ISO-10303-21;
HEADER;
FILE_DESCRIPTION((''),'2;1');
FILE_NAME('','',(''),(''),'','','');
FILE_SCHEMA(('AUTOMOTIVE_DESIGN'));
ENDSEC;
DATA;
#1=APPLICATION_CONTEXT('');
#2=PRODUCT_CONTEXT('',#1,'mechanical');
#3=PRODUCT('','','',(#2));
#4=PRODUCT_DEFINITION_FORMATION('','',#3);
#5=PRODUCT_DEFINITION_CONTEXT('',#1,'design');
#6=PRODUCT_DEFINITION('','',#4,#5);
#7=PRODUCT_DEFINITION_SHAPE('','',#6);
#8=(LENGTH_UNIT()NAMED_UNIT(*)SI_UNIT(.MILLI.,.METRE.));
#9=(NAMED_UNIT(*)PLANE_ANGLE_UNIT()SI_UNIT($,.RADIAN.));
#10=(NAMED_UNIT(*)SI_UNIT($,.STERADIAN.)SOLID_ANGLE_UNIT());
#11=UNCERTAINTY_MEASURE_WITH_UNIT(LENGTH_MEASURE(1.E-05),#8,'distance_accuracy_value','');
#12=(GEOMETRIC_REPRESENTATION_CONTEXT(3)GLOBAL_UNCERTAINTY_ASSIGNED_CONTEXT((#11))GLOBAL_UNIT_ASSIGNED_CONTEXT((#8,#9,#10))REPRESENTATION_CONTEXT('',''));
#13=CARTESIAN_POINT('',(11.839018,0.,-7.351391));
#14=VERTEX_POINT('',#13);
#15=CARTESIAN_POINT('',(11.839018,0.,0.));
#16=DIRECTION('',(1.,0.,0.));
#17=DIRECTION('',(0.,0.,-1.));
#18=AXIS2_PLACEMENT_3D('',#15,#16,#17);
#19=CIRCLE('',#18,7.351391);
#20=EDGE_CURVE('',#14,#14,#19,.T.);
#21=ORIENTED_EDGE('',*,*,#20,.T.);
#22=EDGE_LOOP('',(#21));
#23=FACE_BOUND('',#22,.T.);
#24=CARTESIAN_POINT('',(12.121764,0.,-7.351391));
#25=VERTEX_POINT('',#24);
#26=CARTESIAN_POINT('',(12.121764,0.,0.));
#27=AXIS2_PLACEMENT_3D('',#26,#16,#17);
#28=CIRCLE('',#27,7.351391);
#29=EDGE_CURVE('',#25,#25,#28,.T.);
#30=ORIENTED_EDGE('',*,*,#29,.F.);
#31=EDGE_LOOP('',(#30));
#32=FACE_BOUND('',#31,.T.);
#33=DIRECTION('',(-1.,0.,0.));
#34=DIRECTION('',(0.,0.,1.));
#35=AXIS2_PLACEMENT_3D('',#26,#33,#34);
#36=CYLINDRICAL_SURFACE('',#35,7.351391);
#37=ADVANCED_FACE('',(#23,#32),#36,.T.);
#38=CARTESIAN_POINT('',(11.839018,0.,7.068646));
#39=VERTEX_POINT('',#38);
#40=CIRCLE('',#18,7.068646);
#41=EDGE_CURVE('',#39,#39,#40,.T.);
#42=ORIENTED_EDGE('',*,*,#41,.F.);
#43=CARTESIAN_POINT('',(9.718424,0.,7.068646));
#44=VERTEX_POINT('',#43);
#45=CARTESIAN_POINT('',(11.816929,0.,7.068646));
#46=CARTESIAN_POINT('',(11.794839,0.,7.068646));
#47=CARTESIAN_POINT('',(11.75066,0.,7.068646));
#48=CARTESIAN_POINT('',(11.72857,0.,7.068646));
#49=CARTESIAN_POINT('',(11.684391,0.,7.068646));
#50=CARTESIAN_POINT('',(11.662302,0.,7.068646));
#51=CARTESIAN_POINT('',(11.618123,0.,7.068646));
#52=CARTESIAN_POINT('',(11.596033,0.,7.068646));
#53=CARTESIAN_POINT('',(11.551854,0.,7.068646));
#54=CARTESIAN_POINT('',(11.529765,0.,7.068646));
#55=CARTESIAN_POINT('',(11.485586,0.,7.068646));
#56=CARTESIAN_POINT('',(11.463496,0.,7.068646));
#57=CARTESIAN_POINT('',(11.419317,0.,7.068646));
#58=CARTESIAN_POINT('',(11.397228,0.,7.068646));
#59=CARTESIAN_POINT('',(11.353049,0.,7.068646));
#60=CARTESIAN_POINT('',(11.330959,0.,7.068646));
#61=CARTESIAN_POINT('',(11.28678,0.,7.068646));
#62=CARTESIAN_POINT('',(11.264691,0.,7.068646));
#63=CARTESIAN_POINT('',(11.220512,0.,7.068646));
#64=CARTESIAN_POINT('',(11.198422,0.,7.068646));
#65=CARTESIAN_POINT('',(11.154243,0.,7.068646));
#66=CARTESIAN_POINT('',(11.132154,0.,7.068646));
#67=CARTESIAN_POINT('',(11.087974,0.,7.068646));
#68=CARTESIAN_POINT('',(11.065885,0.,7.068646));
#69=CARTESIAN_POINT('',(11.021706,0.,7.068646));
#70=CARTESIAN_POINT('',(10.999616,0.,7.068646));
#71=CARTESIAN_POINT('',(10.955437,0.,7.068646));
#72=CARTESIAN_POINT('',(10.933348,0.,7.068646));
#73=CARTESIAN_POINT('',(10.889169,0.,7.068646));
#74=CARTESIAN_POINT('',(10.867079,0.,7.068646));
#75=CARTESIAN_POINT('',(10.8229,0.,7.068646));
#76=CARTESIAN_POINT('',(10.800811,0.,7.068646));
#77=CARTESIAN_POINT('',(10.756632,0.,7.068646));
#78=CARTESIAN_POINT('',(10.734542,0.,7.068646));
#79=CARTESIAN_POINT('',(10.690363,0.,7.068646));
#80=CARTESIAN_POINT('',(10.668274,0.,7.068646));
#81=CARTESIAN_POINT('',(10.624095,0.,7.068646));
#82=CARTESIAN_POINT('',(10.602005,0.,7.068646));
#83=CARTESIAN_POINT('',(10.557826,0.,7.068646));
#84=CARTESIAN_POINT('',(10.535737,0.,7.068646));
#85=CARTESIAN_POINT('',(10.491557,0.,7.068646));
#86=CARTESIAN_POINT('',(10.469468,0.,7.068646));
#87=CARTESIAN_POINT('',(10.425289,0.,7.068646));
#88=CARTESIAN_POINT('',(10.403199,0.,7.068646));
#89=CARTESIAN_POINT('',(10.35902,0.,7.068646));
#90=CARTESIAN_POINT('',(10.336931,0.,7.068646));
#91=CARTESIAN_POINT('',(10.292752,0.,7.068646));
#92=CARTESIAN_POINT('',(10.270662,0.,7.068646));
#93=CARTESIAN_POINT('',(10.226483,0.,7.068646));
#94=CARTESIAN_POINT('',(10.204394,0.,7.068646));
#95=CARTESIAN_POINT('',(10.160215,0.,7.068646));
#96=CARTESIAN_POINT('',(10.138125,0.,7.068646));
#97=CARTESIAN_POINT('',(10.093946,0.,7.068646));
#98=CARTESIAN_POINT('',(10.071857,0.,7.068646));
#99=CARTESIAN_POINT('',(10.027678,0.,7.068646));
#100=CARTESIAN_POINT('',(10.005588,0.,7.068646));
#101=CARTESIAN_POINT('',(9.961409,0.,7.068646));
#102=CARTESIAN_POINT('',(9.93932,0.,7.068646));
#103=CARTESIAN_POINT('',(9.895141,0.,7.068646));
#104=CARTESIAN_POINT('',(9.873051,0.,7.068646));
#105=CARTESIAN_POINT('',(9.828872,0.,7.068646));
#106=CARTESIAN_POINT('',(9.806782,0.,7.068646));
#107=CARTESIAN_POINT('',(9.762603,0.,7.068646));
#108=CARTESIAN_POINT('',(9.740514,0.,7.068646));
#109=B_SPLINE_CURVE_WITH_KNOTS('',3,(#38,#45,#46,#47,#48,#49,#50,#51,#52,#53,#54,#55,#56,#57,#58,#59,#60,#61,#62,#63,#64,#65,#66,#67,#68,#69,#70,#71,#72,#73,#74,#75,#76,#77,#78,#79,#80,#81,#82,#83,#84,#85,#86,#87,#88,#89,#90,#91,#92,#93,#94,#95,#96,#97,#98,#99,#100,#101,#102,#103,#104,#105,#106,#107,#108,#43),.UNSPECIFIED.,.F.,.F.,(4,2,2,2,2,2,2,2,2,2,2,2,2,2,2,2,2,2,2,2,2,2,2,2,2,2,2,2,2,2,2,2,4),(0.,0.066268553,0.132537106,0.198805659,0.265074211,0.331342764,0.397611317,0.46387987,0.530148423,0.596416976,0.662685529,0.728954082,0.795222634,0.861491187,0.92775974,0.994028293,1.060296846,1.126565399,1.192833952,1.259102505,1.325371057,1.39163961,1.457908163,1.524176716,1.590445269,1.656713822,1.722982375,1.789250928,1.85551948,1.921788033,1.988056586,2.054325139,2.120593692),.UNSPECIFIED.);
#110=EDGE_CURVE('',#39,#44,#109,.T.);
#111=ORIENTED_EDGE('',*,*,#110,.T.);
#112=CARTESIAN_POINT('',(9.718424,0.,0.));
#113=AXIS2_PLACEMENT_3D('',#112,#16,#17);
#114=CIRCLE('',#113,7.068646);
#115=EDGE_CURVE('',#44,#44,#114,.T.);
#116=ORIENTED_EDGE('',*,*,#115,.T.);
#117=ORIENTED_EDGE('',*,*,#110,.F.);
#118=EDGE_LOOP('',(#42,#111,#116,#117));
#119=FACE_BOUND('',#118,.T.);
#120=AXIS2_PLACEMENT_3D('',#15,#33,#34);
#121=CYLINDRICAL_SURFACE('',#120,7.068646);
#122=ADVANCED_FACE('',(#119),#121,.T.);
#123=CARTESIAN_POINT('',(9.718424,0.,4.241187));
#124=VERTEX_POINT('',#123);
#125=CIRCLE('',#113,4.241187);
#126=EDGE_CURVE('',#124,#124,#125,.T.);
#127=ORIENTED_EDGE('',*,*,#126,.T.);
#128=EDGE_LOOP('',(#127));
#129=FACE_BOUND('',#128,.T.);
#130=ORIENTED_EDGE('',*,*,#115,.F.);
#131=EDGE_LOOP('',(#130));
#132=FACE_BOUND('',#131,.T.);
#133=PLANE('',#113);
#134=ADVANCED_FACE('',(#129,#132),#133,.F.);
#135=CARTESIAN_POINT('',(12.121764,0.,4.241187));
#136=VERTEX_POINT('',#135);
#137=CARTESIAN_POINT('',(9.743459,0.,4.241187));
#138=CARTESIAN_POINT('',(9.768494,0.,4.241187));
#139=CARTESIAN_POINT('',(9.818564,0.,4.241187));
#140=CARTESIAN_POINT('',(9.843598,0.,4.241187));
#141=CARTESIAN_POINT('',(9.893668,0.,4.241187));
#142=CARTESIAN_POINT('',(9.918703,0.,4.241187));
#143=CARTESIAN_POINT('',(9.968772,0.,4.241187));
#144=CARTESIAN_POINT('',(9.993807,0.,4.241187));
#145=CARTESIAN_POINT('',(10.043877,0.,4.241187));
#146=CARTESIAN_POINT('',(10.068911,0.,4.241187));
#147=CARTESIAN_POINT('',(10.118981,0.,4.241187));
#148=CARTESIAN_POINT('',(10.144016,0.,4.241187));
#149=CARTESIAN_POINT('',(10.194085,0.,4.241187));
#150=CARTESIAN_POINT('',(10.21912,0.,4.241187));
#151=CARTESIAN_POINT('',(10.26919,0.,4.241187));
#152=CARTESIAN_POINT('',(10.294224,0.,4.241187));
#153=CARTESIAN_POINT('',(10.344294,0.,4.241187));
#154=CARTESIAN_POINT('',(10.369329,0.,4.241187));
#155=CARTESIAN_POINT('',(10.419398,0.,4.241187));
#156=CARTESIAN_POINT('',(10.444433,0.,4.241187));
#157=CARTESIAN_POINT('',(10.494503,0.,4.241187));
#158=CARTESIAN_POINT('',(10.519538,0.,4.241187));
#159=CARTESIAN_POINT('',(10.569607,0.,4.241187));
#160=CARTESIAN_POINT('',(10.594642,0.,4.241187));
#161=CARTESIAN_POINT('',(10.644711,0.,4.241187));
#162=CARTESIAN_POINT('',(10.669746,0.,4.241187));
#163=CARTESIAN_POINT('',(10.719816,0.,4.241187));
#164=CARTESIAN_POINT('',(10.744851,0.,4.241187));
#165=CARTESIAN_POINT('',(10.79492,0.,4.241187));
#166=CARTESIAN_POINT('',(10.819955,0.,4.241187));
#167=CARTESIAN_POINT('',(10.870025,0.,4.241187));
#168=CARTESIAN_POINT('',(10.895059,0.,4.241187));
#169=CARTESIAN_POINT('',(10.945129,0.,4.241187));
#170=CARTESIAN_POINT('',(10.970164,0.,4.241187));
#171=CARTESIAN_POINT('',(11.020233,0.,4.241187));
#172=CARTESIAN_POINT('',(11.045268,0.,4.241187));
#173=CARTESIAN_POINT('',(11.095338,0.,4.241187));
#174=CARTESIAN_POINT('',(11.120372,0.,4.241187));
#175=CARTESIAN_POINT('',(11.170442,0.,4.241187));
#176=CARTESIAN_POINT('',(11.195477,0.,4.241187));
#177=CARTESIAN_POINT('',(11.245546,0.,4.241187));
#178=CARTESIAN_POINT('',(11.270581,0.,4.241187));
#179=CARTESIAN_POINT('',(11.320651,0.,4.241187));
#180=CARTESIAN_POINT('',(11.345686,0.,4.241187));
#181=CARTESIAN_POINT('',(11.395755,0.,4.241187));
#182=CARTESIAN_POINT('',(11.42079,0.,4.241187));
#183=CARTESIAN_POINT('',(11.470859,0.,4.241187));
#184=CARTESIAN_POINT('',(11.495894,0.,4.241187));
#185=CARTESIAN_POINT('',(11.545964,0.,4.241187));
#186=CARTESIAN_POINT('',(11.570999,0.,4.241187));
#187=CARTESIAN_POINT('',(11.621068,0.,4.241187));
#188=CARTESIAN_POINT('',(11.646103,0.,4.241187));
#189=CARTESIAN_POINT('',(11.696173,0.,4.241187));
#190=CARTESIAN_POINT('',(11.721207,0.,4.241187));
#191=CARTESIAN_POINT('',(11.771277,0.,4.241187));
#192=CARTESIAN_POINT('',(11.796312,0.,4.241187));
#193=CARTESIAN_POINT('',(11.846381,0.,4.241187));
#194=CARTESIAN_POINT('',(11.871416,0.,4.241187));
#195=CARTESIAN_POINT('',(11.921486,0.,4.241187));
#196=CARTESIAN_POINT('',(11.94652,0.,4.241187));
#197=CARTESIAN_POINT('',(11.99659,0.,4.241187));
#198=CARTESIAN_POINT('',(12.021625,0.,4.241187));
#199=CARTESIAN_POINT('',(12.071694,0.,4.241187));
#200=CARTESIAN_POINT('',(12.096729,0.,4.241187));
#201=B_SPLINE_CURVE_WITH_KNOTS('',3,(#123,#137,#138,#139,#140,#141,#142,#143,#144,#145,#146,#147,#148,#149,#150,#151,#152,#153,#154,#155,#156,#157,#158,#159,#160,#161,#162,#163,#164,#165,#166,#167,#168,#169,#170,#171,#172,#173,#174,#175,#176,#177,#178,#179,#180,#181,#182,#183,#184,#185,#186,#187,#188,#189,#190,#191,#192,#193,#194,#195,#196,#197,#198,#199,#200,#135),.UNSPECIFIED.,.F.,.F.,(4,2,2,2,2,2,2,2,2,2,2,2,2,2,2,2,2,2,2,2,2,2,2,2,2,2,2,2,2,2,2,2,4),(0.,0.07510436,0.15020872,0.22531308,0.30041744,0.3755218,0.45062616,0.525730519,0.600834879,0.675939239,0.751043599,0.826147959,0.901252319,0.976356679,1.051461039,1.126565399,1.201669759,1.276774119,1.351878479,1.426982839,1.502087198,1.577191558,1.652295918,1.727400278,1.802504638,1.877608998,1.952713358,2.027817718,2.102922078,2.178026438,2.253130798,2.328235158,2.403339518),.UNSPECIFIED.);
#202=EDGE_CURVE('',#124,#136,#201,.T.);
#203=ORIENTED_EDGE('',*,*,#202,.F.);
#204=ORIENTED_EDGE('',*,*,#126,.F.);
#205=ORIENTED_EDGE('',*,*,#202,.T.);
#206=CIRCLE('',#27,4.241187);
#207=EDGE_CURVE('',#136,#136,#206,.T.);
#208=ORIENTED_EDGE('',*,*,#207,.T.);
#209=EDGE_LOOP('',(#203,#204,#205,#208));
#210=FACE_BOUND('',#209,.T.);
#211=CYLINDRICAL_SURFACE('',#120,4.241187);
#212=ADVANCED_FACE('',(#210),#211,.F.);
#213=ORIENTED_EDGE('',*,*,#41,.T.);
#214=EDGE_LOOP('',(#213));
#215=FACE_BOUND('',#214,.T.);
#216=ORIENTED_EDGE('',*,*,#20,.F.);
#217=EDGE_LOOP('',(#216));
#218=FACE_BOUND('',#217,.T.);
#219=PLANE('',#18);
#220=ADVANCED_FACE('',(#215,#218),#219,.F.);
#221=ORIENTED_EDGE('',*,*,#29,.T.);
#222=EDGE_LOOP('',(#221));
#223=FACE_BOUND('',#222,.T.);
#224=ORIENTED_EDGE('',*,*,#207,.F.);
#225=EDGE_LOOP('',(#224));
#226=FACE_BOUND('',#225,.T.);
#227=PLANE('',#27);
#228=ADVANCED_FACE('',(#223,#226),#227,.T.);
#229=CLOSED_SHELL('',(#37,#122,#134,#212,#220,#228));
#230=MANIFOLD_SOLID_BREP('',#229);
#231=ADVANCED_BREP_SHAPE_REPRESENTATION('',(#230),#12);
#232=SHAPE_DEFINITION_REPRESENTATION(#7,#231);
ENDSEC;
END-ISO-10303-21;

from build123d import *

# Parameters (mm, degrees)
SKETCH1_R           = 63.5
SKETCH1_R_2         = 38.1
BOSS_EXTRUDE1_DEPTH = 19.05
SKETCH2_R           = 66.04
SKETCH2_R_2         = 38.1
BOSS_EXTRUDE2_DEPTH = 2.54
SCALE1_SCALE        = 0.111317254


with BuildPart() as part:
    # Sketch1 → Boss-Extrude1 (new body)
    with BuildSketch(Plane(origin=(0, 0, 0), x_dir=(0, 0, -1), z_dir=(1, 0, 0))):
        with Locations(Location((0, 0, 0), (0, 0, 180))):
            Circle(SKETCH1_R)
        with Locations(Location((0, 0, 0), (0, 0, 180))):
            Circle(SKETCH1_R_2, mode=Mode.SUBTRACT)
    extrude(amount=BOSS_EXTRUDE1_DEPTH)

    # Sketch2 → Boss-Extrude2 (add)
    with BuildSketch(Plane(origin=(19.05, 0, 0), x_dir=(0, 0, -1), z_dir=(1, 0, 0))):
        Circle(SKETCH2_R)
        with Locations(Location((0, 0, 0), (0, 0, 180))):
            Circle(SKETCH2_R_2, mode=Mode.SUBTRACT)
    extrude(amount=BOSS_EXTRUDE2_DEPTH)


with BuildPart() as part_1:
    # Scale1: scaled about (10.935763547, 0, 0)
    add(part.part.scale(SCALE1_SCALE).moved(Location((9.718424377, 0, 0))))


solid = part_1.part
